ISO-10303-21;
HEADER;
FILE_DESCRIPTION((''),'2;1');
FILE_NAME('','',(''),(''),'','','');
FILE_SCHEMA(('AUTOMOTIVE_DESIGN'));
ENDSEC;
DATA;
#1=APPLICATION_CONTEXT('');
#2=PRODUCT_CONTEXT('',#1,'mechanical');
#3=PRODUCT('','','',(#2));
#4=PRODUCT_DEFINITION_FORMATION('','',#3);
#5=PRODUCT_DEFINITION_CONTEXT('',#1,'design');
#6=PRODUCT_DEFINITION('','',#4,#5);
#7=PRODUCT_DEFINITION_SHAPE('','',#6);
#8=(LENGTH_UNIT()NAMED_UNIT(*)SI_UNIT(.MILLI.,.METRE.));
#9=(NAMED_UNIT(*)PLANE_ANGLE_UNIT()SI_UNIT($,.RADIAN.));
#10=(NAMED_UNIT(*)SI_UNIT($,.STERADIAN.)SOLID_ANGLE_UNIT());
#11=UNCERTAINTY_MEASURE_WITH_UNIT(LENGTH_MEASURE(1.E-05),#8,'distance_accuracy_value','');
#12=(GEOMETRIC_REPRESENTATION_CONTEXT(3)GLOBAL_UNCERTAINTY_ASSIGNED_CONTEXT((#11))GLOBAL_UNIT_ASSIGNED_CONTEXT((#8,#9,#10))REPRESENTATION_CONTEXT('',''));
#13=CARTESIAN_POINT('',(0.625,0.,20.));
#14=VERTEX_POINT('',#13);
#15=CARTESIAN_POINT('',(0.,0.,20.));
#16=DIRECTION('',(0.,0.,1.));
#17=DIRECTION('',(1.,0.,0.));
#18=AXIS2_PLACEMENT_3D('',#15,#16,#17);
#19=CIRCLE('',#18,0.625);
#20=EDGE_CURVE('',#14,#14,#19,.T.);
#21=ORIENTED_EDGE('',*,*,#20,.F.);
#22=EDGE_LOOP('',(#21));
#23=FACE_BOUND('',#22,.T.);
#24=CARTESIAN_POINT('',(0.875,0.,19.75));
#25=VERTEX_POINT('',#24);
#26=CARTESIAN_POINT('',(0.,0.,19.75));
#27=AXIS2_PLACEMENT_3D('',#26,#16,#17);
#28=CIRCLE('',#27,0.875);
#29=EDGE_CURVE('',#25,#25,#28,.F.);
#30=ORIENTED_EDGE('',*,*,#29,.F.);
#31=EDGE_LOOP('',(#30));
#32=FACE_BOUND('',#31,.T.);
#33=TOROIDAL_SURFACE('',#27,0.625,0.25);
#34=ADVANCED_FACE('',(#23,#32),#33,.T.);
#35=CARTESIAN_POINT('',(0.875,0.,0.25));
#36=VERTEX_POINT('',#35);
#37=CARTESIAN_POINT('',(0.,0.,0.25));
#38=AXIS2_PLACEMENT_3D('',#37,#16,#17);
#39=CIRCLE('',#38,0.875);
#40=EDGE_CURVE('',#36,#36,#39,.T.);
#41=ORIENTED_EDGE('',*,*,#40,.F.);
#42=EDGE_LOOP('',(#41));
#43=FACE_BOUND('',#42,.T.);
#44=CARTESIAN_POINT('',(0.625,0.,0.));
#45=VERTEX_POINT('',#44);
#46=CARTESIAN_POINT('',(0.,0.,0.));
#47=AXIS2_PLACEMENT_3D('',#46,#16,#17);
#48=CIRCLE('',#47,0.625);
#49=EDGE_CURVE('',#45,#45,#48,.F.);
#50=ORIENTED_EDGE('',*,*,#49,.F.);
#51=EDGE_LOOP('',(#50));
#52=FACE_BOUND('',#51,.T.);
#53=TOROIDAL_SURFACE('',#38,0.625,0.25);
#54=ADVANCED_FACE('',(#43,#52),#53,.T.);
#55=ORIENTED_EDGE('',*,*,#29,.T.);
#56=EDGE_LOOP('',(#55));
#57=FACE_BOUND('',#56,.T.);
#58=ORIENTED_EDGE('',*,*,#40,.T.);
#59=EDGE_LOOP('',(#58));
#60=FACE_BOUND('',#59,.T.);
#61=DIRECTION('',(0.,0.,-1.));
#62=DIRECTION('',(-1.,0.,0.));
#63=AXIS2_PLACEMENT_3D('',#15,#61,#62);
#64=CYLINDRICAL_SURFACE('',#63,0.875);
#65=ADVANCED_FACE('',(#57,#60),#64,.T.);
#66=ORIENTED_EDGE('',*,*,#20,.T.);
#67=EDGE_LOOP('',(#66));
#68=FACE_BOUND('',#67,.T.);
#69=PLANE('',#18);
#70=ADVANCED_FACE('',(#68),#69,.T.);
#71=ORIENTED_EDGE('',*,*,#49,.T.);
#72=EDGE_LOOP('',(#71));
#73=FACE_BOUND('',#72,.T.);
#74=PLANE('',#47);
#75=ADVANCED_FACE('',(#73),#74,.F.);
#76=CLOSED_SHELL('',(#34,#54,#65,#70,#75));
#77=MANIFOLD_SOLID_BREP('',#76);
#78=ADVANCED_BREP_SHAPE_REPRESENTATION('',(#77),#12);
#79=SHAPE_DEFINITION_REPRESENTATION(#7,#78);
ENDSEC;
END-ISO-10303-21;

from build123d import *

# Parameters (mm, degrees)
SKETCH_1_R      = 0.875
EXTRUDE_1_DEPTH = 20
FILLET_2_R      = 0.25


with BuildPart() as part:
    # Эскиз1 → Бобышка-Вытянуть1 (new body)
    with BuildSketch(Plane.XY):
        Circle(SKETCH_1_R)
    extrude(amount=EXTRUDE_1_DEPTH)

    # Скругление2
    fillet_2_edges = [part.edges().sort_by_distance(p)[0] for p in [
        (-0.875, 0, 0),
        (-0.875, 0, 20),
    ]]
    fillet(fillet_2_edges, radius=FILLET_2_R)


solid = part.part
